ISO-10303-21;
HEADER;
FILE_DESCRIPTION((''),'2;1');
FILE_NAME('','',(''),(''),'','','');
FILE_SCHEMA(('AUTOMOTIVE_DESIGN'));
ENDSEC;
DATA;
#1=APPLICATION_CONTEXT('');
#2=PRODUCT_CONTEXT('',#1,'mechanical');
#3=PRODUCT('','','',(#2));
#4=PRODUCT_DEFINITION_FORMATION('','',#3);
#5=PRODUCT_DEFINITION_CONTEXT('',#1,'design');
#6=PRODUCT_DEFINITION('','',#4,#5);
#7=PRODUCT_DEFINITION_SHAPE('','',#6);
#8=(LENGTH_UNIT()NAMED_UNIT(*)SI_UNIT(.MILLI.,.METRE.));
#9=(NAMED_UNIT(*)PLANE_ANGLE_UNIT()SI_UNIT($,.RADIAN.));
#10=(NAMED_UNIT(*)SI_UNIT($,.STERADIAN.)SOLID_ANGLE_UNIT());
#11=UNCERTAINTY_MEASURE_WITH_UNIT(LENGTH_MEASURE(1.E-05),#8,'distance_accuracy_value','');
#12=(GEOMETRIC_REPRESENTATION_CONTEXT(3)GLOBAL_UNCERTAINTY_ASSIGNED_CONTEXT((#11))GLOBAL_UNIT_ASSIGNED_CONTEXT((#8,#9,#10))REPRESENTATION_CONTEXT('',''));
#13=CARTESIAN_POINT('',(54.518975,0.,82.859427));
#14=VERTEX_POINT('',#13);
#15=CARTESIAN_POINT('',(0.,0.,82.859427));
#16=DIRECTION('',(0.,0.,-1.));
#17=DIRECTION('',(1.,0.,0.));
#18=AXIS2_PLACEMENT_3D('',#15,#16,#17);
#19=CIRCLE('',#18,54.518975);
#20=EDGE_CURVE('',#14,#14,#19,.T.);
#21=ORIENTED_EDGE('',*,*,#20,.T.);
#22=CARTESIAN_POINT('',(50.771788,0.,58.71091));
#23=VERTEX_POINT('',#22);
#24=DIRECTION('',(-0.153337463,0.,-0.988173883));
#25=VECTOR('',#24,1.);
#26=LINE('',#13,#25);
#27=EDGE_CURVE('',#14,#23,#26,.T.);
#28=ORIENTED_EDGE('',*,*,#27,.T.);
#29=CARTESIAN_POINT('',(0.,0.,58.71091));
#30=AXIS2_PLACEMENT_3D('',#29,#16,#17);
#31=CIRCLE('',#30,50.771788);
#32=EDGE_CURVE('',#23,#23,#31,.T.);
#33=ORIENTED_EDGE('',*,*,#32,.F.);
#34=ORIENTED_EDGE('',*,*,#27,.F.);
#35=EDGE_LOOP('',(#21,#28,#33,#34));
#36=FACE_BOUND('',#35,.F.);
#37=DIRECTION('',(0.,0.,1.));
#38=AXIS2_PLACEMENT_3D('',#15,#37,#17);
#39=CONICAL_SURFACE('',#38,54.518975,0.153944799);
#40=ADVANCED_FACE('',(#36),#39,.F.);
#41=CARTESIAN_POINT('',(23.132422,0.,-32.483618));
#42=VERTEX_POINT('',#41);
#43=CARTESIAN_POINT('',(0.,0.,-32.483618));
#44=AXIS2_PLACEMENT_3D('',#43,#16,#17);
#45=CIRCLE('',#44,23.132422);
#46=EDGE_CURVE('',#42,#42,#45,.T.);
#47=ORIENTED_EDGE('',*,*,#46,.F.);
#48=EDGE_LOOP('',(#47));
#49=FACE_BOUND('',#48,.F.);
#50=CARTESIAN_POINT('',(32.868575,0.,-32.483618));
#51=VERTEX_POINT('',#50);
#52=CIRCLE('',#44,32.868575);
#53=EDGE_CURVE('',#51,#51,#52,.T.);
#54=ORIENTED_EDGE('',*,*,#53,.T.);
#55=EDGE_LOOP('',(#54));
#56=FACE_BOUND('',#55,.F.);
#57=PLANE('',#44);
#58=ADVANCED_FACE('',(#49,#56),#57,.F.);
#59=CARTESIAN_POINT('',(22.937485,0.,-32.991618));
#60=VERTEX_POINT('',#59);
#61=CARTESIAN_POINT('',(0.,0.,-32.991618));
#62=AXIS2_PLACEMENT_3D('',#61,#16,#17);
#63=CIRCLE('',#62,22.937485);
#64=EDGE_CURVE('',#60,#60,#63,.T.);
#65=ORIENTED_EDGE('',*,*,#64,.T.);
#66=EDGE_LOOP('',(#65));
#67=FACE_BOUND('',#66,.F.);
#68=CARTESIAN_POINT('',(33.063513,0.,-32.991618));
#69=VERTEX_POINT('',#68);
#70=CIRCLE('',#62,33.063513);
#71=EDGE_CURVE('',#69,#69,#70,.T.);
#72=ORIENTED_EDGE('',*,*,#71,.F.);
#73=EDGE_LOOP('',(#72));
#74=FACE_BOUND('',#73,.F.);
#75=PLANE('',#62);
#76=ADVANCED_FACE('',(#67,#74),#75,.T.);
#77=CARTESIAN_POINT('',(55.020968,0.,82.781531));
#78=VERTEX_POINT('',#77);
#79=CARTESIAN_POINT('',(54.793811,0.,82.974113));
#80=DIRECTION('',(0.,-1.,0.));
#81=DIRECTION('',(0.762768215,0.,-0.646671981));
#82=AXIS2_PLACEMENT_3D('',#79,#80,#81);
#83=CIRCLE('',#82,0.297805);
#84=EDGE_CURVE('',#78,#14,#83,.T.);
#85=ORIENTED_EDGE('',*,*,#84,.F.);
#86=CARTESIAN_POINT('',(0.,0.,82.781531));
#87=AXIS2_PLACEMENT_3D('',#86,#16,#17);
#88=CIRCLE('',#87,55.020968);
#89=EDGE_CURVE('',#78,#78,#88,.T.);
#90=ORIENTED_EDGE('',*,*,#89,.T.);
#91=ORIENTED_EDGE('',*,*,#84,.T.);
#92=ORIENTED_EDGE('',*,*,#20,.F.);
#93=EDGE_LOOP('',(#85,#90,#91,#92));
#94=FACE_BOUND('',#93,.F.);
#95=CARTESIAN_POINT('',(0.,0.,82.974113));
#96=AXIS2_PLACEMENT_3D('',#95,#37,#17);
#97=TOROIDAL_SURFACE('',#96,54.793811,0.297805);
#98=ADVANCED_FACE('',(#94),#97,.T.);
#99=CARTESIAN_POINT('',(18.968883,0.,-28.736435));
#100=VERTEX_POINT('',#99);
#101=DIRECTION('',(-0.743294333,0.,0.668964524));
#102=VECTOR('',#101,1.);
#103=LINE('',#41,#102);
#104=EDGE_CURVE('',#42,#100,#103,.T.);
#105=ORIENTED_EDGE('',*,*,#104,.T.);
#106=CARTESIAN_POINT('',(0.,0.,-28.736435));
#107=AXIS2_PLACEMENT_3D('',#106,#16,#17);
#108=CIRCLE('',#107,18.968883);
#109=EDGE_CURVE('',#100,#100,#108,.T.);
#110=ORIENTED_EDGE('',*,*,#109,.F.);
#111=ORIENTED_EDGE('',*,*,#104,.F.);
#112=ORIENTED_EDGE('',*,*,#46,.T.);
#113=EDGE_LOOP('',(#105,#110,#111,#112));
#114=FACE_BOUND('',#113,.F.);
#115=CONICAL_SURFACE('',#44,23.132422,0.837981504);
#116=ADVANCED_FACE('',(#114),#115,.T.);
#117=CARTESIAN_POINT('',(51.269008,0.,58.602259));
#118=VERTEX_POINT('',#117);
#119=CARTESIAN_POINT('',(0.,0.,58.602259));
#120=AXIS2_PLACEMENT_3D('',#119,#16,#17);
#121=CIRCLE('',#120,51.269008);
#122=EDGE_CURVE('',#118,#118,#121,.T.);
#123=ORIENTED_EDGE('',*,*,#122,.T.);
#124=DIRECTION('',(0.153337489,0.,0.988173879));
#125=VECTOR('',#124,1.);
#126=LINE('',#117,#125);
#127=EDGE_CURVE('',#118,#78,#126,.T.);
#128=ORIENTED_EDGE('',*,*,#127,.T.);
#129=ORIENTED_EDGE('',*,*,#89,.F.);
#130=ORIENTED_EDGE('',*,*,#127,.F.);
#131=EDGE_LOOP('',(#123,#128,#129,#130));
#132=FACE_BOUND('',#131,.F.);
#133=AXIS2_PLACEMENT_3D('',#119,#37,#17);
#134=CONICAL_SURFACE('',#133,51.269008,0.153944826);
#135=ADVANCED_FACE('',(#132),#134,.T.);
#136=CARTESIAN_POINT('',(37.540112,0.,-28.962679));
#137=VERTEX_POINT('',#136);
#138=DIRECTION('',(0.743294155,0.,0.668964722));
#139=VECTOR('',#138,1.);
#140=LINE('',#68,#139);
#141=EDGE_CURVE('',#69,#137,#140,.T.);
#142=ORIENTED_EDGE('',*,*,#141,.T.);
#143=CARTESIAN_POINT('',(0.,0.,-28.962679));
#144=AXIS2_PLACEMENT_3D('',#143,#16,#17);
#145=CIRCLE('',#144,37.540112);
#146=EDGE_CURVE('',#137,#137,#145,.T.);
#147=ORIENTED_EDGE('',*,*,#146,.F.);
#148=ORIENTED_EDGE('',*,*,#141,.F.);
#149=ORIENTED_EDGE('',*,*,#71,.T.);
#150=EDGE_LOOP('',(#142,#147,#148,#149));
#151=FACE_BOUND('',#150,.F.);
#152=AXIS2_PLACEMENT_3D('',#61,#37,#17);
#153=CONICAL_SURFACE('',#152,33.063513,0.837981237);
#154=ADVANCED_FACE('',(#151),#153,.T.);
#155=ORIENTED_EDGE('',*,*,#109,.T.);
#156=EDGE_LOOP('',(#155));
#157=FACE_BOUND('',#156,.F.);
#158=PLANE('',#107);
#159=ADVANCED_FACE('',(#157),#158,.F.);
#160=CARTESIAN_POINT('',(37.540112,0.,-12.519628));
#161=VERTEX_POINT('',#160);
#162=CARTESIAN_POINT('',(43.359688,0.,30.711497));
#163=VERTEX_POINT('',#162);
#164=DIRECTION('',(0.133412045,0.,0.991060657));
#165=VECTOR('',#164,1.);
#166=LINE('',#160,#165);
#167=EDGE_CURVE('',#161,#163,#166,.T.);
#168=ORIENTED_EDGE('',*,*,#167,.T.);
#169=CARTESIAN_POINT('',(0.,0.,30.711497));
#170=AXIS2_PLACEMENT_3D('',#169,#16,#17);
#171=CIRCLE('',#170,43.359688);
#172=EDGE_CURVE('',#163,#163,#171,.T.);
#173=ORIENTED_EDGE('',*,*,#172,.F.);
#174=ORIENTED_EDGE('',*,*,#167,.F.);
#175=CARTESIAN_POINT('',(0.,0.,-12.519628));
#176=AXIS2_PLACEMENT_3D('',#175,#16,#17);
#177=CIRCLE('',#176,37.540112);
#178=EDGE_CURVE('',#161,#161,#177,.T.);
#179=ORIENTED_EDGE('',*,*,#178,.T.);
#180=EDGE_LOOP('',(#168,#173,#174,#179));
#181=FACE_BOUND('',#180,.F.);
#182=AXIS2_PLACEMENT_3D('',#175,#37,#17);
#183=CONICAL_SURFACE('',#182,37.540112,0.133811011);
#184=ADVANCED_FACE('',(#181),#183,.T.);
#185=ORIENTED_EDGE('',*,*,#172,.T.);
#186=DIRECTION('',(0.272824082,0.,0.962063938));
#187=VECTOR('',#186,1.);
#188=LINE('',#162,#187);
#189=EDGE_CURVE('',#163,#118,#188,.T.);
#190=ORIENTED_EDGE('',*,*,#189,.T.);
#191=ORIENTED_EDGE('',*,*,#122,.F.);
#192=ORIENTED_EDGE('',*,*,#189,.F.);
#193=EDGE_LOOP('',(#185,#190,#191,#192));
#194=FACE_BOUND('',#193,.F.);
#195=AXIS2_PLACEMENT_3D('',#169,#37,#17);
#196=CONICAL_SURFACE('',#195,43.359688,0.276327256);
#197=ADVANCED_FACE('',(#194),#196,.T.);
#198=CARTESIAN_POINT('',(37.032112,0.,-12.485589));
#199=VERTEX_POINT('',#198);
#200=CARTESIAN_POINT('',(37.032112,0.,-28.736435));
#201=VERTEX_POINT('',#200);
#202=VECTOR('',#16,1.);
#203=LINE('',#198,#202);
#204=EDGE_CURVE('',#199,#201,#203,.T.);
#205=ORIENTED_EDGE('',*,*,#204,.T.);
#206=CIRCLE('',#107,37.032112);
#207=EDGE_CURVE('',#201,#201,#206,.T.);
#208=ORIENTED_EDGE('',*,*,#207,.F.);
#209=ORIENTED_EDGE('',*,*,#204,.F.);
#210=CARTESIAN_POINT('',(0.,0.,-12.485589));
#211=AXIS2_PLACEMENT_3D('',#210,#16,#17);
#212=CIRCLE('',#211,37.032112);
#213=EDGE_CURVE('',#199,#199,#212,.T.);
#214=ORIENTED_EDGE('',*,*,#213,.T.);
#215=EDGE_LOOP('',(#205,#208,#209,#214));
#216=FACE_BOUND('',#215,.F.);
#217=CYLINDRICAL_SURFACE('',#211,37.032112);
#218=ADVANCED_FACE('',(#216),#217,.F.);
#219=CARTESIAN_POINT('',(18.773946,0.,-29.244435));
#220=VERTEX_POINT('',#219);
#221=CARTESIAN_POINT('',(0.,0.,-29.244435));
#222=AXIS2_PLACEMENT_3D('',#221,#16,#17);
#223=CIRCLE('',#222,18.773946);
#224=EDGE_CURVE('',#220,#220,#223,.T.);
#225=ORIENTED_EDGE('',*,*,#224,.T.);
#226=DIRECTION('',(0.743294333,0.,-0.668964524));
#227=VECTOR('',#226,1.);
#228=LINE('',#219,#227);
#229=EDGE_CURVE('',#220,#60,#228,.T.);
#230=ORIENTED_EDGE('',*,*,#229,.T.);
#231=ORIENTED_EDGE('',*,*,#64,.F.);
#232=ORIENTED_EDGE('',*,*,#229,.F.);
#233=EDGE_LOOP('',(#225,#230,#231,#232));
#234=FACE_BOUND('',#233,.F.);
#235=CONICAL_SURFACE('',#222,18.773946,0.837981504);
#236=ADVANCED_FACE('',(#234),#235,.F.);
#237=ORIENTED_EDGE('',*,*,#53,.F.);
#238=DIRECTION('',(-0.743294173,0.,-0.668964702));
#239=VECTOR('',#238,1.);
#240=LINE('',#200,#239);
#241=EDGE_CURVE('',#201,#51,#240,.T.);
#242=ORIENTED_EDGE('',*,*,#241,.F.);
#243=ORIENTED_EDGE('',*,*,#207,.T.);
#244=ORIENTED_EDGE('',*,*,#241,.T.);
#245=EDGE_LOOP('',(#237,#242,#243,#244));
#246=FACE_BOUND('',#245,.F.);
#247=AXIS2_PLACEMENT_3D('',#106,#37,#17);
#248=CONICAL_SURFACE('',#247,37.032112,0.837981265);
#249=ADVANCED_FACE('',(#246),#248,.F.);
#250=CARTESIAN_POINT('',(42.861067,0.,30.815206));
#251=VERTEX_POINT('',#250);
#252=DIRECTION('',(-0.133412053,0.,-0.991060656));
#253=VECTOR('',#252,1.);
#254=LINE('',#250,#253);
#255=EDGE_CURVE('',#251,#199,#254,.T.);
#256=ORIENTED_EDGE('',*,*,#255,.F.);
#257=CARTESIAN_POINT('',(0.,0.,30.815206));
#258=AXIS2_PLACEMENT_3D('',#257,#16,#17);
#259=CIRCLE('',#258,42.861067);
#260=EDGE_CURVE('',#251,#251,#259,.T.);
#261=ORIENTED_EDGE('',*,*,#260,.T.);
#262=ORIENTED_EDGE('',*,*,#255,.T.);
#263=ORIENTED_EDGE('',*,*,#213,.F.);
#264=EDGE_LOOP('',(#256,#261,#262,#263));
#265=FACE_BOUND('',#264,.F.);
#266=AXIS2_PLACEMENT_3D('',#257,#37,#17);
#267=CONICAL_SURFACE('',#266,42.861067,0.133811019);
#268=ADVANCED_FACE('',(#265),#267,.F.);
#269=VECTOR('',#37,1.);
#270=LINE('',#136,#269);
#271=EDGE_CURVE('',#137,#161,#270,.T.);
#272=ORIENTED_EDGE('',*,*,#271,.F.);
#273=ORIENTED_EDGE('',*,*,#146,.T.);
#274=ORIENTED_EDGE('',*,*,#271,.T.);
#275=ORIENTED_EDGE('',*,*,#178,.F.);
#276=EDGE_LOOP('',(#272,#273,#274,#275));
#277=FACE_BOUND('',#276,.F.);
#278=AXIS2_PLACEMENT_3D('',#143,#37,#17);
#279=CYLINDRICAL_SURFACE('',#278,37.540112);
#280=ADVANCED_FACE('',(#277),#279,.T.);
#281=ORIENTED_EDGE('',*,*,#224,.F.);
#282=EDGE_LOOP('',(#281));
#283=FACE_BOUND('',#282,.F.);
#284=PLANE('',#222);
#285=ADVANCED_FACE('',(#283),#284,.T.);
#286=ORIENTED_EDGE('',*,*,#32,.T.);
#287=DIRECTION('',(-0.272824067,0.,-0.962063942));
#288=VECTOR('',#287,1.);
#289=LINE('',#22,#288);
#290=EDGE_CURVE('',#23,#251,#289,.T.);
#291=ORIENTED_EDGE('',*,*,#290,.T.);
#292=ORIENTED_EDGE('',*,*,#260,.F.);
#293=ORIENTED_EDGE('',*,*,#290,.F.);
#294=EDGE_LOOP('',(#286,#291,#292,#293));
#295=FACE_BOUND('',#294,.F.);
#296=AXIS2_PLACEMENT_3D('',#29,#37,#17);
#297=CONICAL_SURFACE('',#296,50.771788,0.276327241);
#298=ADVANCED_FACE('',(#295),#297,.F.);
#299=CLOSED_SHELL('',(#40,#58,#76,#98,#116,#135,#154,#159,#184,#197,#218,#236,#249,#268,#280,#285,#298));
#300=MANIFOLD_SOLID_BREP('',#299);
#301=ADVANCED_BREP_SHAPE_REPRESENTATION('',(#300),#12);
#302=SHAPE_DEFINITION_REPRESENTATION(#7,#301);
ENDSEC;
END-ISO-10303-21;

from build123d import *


with BuildPart() as f1:
    # F0 (on Front) → F1 (revolve)
    with BuildSketch(Plane.XZ):
        with BuildLine():
            Line((18.968883, -28.736435), (0, -28.736435))
            Line((0, -28.736435), (0, -29.244435))
            Line((0, -29.244435), (18.773946, -29.244435))
            Line((18.773946, -29.244435), (22.937485, -32.991618))
            Line((22.937485, -32.991618), (33.063513, -32.991618))
            Line((33.063513, -32.991618), (37.540112, -28.962679))
            Line((37.540112, -28.962679), (37.540112, -12.519628))
            Line((37.540112, -12.519628), (43.359688, 30.711497))
            Line((43.359688, 30.711497), (51.269008, 58.602259))
            Line((51.269008, 58.602259), (55.020968, 82.781531))
            ThreePointArc((55.020968, 82.781531), (54.839476, 83.268397), (54.518975, 82.859427))
            Line((54.518975, 82.859427), (50.771788, 58.71091))
            Line((50.771788, 58.71091), (42.861067, 30.815206))
            Line((42.861067, 30.815206), (37.032112, -12.485589))
            Line((37.032112, -12.485589), (37.032112, -28.736435))
            Line((37.032112, -28.736435), (32.868575, -32.483618))
            Line((32.868575, -32.483618), (23.132422, -32.483618))
            Line((23.132422, -32.483618), (18.968883, -28.736435))
        make_face()
    revolve(axis=Axis((0, 0, -28.990435), (0, 0, -1)))


solid = f1.part
